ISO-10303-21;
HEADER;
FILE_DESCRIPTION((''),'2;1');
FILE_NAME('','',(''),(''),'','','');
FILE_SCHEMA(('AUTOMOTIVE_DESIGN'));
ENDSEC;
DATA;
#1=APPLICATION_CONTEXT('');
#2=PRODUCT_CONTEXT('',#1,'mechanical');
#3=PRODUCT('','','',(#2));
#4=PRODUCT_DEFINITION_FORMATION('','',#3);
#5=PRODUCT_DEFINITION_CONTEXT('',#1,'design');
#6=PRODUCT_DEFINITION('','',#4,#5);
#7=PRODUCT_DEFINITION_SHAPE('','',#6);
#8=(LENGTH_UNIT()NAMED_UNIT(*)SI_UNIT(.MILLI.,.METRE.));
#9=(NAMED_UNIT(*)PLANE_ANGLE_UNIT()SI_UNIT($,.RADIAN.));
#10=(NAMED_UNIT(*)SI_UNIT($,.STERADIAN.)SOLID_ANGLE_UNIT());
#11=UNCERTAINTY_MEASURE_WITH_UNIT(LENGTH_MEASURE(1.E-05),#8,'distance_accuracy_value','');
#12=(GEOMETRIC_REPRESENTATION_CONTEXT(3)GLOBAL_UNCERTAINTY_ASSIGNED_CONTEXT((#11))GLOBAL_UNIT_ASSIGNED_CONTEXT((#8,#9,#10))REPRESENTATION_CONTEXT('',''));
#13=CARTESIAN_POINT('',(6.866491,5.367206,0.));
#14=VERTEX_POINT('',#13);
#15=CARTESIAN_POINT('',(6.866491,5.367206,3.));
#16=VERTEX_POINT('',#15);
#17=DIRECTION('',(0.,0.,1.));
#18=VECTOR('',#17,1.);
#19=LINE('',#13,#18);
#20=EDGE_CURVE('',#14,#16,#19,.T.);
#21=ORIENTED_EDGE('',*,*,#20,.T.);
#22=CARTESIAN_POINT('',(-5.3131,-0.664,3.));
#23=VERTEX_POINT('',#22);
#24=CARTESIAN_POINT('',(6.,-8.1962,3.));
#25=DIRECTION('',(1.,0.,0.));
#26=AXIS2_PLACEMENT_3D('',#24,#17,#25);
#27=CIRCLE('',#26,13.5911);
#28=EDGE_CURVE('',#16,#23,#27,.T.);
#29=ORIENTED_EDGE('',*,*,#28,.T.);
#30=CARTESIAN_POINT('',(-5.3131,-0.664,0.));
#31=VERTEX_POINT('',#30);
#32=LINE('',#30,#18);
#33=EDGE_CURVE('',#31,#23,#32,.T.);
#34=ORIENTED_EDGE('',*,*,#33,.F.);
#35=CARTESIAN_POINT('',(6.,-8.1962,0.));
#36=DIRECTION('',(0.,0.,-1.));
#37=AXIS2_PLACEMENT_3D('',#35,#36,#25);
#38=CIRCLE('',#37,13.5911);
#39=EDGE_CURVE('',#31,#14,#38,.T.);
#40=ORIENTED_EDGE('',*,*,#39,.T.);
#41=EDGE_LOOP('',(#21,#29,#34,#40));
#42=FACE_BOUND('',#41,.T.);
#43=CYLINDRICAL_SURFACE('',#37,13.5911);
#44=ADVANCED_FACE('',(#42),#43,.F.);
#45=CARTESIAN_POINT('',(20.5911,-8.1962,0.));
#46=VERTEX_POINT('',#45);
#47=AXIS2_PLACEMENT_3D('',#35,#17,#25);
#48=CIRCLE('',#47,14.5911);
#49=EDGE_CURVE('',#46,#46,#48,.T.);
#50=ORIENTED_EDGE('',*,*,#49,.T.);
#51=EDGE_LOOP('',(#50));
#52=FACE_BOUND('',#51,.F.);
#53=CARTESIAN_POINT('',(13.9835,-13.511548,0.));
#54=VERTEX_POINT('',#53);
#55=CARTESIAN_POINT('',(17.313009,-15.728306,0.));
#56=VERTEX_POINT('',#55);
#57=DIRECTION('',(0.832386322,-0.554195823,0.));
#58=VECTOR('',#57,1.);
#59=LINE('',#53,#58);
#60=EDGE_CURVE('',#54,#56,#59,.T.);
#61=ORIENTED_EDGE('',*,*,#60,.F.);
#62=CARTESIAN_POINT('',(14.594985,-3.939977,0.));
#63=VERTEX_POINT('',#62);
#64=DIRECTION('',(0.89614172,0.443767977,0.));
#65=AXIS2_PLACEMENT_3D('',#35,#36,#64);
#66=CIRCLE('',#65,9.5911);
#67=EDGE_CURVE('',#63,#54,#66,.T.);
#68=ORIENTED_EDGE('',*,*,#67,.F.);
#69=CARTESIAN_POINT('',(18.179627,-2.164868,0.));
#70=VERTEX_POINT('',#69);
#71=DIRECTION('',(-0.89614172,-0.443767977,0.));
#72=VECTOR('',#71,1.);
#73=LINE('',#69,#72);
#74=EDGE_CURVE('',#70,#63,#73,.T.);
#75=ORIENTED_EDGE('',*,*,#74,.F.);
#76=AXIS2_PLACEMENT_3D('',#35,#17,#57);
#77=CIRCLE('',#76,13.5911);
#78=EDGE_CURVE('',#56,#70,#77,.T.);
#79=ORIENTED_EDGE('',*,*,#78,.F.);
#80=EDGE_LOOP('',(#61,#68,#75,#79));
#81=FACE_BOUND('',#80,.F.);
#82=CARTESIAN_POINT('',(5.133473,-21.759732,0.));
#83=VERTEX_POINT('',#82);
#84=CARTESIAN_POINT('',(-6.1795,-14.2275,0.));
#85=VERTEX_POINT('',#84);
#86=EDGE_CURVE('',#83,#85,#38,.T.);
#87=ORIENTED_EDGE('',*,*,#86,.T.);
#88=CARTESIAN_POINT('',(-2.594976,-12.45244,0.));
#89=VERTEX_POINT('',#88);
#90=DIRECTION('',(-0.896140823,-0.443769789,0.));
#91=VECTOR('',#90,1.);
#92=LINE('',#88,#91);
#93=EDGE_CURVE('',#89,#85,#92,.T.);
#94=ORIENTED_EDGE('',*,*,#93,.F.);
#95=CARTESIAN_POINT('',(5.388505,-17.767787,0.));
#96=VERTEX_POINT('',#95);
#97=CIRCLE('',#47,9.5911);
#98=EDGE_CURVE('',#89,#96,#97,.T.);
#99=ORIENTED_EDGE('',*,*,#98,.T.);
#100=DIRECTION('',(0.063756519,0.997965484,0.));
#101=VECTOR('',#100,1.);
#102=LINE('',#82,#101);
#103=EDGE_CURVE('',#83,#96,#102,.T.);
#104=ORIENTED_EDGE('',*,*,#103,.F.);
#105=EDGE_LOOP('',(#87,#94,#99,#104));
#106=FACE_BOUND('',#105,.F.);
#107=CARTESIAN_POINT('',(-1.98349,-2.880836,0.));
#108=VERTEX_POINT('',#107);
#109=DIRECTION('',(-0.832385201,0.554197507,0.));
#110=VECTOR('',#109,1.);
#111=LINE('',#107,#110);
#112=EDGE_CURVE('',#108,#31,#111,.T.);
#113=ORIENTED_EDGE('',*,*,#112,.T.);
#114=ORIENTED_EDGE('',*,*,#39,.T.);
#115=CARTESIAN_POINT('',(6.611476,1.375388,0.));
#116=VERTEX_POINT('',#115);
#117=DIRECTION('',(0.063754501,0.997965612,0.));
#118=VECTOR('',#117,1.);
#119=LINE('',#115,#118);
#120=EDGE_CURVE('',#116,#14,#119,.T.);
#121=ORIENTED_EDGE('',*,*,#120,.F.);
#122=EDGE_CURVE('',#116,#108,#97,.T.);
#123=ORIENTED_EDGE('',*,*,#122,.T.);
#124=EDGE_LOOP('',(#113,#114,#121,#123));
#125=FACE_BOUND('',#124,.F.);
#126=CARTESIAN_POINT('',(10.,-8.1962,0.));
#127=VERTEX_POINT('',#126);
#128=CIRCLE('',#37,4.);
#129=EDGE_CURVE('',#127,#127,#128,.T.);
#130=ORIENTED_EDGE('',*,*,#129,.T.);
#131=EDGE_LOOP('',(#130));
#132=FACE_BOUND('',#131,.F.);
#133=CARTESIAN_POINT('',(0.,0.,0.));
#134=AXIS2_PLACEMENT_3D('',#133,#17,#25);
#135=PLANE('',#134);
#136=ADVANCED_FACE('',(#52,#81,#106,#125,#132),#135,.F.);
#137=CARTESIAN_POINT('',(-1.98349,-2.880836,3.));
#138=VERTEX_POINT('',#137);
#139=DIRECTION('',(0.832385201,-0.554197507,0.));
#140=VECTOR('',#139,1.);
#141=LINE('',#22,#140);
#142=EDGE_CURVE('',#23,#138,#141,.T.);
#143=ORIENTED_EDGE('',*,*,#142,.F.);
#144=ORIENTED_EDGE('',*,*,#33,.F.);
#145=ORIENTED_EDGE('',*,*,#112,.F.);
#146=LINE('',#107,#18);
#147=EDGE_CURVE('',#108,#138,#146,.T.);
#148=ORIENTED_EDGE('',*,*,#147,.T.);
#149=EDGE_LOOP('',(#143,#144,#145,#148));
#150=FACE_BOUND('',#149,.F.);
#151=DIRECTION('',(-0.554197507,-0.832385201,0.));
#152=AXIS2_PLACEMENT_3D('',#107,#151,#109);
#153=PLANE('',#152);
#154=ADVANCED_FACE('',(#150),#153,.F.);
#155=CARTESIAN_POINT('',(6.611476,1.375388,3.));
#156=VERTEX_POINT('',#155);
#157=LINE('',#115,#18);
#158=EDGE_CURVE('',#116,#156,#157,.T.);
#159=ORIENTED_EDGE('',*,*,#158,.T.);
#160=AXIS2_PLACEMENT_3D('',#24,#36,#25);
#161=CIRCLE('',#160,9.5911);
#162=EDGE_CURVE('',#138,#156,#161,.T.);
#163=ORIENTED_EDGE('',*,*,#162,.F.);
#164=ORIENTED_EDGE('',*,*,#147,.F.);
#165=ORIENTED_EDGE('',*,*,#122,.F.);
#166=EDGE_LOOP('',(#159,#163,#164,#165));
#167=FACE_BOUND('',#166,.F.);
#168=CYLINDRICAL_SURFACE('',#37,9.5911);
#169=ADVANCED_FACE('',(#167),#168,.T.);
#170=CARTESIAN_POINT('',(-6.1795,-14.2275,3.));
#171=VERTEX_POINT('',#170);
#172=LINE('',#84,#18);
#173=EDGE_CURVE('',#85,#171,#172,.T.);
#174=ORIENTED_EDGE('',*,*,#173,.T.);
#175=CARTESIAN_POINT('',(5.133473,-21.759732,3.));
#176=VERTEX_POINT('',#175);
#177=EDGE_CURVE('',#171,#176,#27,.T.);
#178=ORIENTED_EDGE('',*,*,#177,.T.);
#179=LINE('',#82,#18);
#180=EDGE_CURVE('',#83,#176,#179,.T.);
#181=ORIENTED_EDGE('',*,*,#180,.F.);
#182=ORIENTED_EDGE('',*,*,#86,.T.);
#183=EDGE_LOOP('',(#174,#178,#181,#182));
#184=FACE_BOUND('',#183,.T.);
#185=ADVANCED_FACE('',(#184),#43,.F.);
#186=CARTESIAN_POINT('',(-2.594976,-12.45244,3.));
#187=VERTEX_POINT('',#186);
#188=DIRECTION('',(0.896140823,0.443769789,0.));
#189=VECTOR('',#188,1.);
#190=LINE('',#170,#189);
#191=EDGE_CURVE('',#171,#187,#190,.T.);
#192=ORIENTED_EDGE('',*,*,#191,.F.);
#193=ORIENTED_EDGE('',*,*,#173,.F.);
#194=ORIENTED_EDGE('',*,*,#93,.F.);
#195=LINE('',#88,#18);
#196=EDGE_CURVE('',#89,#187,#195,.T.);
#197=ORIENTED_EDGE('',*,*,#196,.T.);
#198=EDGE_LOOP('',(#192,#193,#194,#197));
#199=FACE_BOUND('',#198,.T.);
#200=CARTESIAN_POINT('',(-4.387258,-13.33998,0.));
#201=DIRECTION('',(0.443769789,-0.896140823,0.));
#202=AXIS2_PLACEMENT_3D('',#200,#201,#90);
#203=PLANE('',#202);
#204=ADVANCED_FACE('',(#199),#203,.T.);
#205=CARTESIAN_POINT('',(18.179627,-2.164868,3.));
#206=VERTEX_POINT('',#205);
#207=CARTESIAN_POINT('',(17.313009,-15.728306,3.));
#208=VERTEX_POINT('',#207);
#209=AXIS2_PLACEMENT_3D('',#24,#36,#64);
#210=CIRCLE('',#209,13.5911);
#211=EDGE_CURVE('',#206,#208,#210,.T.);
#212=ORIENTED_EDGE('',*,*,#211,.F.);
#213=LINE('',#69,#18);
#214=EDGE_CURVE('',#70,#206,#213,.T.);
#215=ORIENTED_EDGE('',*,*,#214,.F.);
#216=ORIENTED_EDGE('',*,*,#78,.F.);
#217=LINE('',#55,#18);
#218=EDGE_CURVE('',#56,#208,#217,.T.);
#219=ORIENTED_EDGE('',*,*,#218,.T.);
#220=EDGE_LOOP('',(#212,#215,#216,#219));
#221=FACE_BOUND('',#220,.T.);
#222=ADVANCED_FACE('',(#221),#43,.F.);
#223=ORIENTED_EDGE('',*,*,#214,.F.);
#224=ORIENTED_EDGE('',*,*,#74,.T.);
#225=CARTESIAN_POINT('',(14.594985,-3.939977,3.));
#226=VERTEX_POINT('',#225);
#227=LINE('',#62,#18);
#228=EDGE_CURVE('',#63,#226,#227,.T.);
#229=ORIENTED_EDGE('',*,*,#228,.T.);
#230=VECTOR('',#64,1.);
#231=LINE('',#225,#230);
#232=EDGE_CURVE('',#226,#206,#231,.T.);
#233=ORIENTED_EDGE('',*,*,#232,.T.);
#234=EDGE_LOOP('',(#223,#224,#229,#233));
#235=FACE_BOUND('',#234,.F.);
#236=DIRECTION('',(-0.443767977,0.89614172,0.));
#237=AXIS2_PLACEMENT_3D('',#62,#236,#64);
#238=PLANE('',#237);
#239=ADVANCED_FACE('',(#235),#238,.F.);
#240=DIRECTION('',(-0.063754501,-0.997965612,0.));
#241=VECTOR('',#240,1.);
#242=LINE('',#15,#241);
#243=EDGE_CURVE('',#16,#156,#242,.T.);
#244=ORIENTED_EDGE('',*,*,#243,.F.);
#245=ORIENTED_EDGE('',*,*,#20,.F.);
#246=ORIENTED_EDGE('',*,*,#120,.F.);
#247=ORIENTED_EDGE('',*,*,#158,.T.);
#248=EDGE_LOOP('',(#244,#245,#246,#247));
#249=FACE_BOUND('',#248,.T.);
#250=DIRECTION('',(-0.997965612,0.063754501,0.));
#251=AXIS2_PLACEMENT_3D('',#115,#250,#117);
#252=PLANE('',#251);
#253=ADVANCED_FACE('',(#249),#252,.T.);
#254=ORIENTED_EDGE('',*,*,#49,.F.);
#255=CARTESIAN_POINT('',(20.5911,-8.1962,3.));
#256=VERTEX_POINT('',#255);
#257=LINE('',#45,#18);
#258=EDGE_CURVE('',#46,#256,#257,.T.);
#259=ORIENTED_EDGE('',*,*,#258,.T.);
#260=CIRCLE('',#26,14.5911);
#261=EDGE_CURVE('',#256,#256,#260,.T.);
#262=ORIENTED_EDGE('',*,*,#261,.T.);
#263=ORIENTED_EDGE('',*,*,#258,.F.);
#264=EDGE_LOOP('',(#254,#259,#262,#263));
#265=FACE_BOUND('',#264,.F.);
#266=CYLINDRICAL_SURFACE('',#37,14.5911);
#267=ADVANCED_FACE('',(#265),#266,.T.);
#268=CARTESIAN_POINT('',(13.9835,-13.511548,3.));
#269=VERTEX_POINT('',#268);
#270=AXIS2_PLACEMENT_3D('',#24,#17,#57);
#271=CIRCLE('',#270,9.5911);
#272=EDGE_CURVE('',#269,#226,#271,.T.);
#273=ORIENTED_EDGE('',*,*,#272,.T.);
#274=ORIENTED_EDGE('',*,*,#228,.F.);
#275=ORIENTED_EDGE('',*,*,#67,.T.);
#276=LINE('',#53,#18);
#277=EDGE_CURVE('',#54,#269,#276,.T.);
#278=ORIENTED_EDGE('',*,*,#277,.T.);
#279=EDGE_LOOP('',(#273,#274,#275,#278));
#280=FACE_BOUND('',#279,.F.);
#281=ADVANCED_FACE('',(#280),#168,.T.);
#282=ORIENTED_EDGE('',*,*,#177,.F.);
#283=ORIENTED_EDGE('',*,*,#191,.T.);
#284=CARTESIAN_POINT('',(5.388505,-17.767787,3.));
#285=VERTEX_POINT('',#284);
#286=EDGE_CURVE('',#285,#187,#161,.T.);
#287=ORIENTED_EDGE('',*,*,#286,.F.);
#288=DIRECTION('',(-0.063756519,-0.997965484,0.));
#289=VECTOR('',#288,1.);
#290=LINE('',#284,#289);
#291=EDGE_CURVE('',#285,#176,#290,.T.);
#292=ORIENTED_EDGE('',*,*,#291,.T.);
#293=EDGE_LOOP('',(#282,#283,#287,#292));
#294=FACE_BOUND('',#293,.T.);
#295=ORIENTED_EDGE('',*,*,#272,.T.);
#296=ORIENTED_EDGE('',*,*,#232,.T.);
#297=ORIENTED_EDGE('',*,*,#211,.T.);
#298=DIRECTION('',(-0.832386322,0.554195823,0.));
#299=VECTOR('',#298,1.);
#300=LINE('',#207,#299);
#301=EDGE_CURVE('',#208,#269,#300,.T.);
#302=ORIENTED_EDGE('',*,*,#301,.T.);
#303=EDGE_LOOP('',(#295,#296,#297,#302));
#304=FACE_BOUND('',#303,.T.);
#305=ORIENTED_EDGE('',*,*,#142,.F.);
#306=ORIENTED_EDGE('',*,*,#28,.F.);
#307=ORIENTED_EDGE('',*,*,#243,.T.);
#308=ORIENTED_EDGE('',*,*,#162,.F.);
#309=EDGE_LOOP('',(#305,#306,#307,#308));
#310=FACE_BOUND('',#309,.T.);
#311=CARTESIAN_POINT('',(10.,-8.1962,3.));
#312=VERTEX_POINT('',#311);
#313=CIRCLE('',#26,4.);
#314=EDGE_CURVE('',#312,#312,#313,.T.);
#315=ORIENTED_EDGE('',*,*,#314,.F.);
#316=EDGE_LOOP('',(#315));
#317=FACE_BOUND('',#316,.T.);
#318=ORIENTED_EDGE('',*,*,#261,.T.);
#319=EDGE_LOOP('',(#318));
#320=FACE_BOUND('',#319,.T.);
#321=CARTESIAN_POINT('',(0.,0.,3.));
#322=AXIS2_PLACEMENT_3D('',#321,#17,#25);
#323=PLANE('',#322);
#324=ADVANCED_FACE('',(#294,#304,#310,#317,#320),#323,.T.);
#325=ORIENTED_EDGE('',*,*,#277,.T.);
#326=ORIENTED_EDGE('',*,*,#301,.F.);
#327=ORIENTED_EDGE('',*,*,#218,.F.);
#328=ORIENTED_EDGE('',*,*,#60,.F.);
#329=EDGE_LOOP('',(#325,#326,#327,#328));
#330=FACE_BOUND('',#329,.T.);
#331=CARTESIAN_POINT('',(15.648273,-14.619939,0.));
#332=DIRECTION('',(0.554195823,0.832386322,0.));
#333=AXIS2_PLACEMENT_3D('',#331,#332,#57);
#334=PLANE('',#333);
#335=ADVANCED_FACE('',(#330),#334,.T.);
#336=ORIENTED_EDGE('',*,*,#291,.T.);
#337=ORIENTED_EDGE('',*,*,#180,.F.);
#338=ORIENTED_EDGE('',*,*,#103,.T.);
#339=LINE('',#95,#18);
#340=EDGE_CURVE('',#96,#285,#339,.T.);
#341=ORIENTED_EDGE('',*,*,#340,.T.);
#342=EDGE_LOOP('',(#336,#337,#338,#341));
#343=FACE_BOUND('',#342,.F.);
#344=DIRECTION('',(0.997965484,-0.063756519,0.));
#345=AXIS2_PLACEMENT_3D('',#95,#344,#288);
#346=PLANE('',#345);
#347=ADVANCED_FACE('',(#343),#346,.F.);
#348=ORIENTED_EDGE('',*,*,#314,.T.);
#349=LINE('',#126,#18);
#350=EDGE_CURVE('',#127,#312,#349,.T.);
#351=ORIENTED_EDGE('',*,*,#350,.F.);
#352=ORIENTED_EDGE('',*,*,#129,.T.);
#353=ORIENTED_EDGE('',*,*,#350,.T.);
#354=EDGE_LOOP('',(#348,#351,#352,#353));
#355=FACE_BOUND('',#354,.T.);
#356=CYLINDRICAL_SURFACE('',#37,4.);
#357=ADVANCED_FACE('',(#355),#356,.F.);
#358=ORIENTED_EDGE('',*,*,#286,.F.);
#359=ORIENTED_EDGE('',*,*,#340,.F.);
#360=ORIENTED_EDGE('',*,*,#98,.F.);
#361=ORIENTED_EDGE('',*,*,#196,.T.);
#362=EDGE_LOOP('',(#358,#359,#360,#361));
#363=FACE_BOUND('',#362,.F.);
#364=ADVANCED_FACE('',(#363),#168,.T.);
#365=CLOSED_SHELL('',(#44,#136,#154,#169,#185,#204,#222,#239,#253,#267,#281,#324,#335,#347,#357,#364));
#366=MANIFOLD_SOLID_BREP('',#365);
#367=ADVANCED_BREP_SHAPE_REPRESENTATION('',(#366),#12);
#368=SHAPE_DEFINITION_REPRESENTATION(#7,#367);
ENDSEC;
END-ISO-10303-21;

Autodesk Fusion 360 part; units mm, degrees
sketch "Sketch17" plane through (0, 0, 0) normal (0, 0, 1) x (1, 0, 0)
  line L0 (0, 0) -> (0, 10)
  line L1 (0, 10) -> (6, 10)
  line L2 (6, 10) -> (6, 0)
  line L3 (6, 0) -> (0, 0)
  line L4 (0, 8) -> (6, 8)
  line L5 (3, 8) -> (3, 0)
  line L6 (3, 0) -> (3, 3)
  circle A0 centre (3, 3) radius 1
  line L7 (12, 10) -> (12, 0)
  line L8 (9, 0) -> (9, 3)
  line L9 (9, 8) -> (9, 0)
  line L10 (6, 8) -> (12, 8)
  circle A1 centre (9, 3) radius 1
  line L11 (12, 0) -> (6, 0)
  line L12 (6, 0) -> (6, 10)
  line L13 (6, 10) -> (12, 10)
  dimension "d299" = 10
  dimension "d300" = 6
  dimension "d301" = 3
  dimension "d302" = 2
  dimension "d308" = 10
  dimension "d309" = 6
  dimension "d310" = 3
  dimension "d311" = 2
  dimension "d333" = 6
sketch "Sketch18" plane through (0, 0, 0) normal (0, 0, 1) x (1, 0, 0)
  circle A0 centre (6, -8.1962) radius 11.5911
  circle A1 centre (6, -8.1962) radius 13.5911
  circle A2 centre (6, -8.1962) radius 9.5911
  line L0 (6, -8.1962) -> (-5.3131, -0.664)
  circle A3 centre (6, -8.1962) radius 14.5911
  line L1 (6, -8.1962) -> (-6.1795, -14.2275)
  circle A4 centre (6, -8.1962) radius 4
  point P0 (3, 3)
  point P1 (9, 3)
  point P2 (3, 3)
  point P3 (3, 3)
  point P4 (9, 3)
  point P5 (3, 3)
  dimension "d337" = 23.1822
  dimension "d339" = 11.5911
  dimension "d340" = 11.5911
  dimension "d341" = 27.1822
  dimension "d342" = 19.1822
  dimension "d347" = 29.1822
  dimension "d351" = 60
  dimension "d352" = 8
extrude "Extrude45" add sketch "Sketch18" along normal blind 3 contours A0 A2 L0 L1 | A0 A1 L0 L1 picked at (-3.6109, -3.0615) picked at (-5.0902, -1.6236) makes body 1
pattern_circular "C-Pattern13" count 3 over 360 about axis through (6, -8.1962, 0) along (0, 0, 1) of bodies 1 makes body 2 at (9.9587, -19.7633, 0) makes body 3 at (15.3213, -0.2851, 0)
extrude "Extrude46" add sketch "Sketch18" along normal blind 3 contours A2 L0 L1 A4 | A2 L0 L1 A4 | A3 bodies 1 2 3
equation "Enkoder_Kanal_Yüksekliği = 4 mm"
equation "Enkoder_Kanal_Sayısı = 3"
equation "Enkoder_Kanal_Çarpanı = 0"
equation "Enkoder_Sensör_Aralığı = 6 mm"
equation "milçapı = 8 mm"
equation "Enkoder_Kalınlığı = 3 mm"
equation "d333 = sensörAralığı"
equation "d337 = Enkoder_Sensör_Aralığı / 2 / ( sin(( ( 360 / Enkoder_Kanal_Sayısı / 2 * ( 2 * Enkoder_Kanal_Çarpanı + 1 ) / 2 ) / 2 ) * 1 deg) ) * 2"
equation "d339 = Enkoder_Sensör_Aralığı / 2 / ( sin(( ( 360 / Enkoder_Kanal_Sayısı / 2 * ( 2 * Enkoder_Kanal_Çarpanı + 1 ) / 2 ) / 2 ) * 1 deg) )"
equation "d340 = Enkoder_Sensör_Aralığı / 2 / ( sin(( ( 360 / Enkoder_Kanal_Sayısı / 2 * ( 2 * Enkoder_Kanal_Çarpanı + 1 ) / 2 ) / 2 ) * 1 deg) )"
equation "d341 = Enkoder_Sensör_Aralığı / 2 / ( sin(( ( 360 / Enkoder_Kanal_Sayısı / 2 * ( 2 * Enkoder_Kanal_Çarpanı + 1 ) / 2 ) / 2 ) * 1 deg) ) * 2 + Enkoder_Kanal_Yüksekliği"
equation "d342 = Enkoder_Sensör_Aralığı / 2 / ( sin(( ( 360 / Enkoder_Kanal_Sayısı / 2 * ( 2 * Enkoder_Kanal_Çarpanı + 1 ) / 2 ) / 2 ) * 1 deg) ) * 2 - Enkoder_Kanal_Yüksekliği"
equation "d343 = Enkoder_Kalınlığı"
equation "d345 = Enkoder_Kanal_Sayısı"
equation "d347 = Enkoder_Sensör_Aralığı / 2 / ( sin(( ( 360 / Enkoder_Kanal_Sayısı / 2 * ( 2 * Enkoder_Kanal_Çarpanı + 1 ) / 2 ) / 2 ) * 1 deg) ) * 2 + Enkoder_Kanal_Yüksekliği + 2 mm"
equation "d348 = Enkoder_Kalınlığı"
equation "d351 = ( 360 / Enkoder_Kanal_Sayısı / 2 ) * 1 deg"
equation "d352 = milçapı"
